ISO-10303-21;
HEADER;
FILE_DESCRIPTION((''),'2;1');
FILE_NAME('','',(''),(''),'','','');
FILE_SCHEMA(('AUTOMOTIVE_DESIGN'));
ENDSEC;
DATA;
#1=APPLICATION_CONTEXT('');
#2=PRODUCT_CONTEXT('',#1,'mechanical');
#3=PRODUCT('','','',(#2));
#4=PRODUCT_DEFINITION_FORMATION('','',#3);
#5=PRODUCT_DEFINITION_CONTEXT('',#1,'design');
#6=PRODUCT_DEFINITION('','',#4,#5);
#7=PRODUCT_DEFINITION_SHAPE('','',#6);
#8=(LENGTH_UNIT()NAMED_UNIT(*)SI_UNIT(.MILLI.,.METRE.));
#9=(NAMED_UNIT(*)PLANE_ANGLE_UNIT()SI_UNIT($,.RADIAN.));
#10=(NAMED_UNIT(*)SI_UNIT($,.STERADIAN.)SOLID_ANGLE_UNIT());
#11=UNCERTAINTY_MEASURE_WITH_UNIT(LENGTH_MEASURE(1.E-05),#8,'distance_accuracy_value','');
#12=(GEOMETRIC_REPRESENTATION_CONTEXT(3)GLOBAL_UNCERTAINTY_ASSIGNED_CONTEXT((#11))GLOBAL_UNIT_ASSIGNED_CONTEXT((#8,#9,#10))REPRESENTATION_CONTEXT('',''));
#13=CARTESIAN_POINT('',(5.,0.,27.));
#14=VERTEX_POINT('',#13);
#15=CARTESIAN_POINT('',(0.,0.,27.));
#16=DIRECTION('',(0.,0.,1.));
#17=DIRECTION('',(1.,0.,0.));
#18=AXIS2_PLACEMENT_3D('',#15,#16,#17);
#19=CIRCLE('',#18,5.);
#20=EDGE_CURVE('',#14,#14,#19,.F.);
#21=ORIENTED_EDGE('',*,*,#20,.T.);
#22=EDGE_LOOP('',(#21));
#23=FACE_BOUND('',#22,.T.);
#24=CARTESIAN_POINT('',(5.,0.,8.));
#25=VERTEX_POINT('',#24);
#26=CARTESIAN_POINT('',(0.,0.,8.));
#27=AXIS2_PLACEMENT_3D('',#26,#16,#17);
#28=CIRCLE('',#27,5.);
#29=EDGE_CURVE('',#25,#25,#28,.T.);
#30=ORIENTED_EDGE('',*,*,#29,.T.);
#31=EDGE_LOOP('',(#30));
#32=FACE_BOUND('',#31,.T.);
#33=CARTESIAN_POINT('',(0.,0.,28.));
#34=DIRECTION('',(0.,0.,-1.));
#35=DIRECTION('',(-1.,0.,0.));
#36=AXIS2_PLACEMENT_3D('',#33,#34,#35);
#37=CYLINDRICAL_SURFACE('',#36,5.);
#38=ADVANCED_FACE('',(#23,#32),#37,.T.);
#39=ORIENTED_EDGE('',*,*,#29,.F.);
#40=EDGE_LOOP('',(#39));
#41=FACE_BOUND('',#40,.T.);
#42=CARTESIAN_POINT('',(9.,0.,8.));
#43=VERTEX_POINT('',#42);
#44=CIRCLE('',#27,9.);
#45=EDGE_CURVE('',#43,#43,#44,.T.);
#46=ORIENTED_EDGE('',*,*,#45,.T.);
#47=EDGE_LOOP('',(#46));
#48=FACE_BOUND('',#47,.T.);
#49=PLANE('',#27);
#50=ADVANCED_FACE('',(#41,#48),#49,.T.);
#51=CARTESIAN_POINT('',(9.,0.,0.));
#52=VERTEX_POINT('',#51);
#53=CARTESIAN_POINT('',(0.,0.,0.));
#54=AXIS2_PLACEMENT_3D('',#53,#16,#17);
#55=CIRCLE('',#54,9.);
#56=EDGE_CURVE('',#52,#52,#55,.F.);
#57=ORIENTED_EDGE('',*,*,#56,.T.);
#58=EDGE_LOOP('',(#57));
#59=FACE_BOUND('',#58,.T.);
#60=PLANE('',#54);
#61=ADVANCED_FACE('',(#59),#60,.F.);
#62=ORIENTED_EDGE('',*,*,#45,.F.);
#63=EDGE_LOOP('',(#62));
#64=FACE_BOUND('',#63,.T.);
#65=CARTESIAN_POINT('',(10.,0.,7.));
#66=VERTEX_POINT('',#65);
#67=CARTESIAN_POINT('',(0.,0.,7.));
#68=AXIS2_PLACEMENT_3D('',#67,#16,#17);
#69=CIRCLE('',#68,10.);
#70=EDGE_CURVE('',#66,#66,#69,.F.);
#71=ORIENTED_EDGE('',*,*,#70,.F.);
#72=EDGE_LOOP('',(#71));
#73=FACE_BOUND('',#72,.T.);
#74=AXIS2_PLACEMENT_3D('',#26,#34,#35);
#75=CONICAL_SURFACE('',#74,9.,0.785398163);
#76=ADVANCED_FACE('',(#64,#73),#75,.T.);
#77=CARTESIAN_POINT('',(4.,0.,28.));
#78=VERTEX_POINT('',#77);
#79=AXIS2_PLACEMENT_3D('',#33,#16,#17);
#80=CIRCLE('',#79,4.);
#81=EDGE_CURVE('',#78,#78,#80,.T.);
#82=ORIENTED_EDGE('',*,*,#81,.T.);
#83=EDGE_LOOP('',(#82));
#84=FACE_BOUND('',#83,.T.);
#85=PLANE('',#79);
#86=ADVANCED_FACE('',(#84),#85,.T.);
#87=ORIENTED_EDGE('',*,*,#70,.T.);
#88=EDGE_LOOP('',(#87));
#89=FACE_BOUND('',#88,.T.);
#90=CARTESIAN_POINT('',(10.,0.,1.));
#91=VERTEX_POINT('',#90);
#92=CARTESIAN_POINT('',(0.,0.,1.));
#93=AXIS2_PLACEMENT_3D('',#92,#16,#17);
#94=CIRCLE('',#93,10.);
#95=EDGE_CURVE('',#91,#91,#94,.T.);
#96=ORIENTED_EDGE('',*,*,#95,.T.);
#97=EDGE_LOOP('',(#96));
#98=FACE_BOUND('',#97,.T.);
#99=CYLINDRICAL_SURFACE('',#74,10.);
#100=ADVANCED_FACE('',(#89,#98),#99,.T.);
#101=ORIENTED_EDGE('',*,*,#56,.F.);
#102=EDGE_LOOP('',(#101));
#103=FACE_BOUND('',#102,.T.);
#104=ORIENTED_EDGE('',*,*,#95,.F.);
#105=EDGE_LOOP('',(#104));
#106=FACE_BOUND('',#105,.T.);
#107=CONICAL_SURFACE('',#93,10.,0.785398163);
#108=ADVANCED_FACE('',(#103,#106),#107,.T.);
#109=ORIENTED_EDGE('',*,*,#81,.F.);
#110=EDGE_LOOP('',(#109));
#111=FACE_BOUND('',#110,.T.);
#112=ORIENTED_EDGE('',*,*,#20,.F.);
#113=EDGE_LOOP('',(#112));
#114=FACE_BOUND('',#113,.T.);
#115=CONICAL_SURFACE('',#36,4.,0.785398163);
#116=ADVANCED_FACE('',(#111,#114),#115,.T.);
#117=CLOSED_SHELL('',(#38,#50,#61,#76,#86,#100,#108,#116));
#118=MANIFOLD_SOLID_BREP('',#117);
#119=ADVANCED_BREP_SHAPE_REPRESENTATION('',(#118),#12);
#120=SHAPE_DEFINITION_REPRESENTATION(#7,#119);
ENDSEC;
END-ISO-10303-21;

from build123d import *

# Parameters (mm, degrees)
CROQUIS1_R              = 10
SALIENTE_EXTRUIR1_DEPTH = 8
CROQUIS2_R              = 5
SALIENTE_EXTRUIR2_DEPTH = 20
CHAFL_N1_SIZE           = 1
CHAFL_N2_SIZE           = 1


with BuildPart() as part:
    # Croquis1 → Saliente-Extruir1 (new body)
    with BuildSketch(Plane.XY):
        Circle(CROQUIS1_R)
    extrude(amount=SALIENTE_EXTRUIR1_DEPTH)

    # Croquis2 → Saliente-Extruir2 (add)
    with BuildSketch(Plane.XY.offset(8)):
        Circle(CROQUIS2_R)
    extrude(amount=SALIENTE_EXTRUIR2_DEPTH)

    # Chaflán1
    chafl_n1_edges = [part.edges().sort_by_distance(p)[0] for p in [
        (-10, 0, 0),
        (-10, 0, 8),
    ]]
    chamfer(chafl_n1_edges, length=CHAFL_N1_SIZE)

    # Chaflán2
    chafl_n2_edges = [part.edges().sort_by_distance(p)[0] for p in [
        (-5, 0, 28),
    ]]
    chamfer(chafl_n2_edges, length=CHAFL_N2_SIZE)


solid = part.part
